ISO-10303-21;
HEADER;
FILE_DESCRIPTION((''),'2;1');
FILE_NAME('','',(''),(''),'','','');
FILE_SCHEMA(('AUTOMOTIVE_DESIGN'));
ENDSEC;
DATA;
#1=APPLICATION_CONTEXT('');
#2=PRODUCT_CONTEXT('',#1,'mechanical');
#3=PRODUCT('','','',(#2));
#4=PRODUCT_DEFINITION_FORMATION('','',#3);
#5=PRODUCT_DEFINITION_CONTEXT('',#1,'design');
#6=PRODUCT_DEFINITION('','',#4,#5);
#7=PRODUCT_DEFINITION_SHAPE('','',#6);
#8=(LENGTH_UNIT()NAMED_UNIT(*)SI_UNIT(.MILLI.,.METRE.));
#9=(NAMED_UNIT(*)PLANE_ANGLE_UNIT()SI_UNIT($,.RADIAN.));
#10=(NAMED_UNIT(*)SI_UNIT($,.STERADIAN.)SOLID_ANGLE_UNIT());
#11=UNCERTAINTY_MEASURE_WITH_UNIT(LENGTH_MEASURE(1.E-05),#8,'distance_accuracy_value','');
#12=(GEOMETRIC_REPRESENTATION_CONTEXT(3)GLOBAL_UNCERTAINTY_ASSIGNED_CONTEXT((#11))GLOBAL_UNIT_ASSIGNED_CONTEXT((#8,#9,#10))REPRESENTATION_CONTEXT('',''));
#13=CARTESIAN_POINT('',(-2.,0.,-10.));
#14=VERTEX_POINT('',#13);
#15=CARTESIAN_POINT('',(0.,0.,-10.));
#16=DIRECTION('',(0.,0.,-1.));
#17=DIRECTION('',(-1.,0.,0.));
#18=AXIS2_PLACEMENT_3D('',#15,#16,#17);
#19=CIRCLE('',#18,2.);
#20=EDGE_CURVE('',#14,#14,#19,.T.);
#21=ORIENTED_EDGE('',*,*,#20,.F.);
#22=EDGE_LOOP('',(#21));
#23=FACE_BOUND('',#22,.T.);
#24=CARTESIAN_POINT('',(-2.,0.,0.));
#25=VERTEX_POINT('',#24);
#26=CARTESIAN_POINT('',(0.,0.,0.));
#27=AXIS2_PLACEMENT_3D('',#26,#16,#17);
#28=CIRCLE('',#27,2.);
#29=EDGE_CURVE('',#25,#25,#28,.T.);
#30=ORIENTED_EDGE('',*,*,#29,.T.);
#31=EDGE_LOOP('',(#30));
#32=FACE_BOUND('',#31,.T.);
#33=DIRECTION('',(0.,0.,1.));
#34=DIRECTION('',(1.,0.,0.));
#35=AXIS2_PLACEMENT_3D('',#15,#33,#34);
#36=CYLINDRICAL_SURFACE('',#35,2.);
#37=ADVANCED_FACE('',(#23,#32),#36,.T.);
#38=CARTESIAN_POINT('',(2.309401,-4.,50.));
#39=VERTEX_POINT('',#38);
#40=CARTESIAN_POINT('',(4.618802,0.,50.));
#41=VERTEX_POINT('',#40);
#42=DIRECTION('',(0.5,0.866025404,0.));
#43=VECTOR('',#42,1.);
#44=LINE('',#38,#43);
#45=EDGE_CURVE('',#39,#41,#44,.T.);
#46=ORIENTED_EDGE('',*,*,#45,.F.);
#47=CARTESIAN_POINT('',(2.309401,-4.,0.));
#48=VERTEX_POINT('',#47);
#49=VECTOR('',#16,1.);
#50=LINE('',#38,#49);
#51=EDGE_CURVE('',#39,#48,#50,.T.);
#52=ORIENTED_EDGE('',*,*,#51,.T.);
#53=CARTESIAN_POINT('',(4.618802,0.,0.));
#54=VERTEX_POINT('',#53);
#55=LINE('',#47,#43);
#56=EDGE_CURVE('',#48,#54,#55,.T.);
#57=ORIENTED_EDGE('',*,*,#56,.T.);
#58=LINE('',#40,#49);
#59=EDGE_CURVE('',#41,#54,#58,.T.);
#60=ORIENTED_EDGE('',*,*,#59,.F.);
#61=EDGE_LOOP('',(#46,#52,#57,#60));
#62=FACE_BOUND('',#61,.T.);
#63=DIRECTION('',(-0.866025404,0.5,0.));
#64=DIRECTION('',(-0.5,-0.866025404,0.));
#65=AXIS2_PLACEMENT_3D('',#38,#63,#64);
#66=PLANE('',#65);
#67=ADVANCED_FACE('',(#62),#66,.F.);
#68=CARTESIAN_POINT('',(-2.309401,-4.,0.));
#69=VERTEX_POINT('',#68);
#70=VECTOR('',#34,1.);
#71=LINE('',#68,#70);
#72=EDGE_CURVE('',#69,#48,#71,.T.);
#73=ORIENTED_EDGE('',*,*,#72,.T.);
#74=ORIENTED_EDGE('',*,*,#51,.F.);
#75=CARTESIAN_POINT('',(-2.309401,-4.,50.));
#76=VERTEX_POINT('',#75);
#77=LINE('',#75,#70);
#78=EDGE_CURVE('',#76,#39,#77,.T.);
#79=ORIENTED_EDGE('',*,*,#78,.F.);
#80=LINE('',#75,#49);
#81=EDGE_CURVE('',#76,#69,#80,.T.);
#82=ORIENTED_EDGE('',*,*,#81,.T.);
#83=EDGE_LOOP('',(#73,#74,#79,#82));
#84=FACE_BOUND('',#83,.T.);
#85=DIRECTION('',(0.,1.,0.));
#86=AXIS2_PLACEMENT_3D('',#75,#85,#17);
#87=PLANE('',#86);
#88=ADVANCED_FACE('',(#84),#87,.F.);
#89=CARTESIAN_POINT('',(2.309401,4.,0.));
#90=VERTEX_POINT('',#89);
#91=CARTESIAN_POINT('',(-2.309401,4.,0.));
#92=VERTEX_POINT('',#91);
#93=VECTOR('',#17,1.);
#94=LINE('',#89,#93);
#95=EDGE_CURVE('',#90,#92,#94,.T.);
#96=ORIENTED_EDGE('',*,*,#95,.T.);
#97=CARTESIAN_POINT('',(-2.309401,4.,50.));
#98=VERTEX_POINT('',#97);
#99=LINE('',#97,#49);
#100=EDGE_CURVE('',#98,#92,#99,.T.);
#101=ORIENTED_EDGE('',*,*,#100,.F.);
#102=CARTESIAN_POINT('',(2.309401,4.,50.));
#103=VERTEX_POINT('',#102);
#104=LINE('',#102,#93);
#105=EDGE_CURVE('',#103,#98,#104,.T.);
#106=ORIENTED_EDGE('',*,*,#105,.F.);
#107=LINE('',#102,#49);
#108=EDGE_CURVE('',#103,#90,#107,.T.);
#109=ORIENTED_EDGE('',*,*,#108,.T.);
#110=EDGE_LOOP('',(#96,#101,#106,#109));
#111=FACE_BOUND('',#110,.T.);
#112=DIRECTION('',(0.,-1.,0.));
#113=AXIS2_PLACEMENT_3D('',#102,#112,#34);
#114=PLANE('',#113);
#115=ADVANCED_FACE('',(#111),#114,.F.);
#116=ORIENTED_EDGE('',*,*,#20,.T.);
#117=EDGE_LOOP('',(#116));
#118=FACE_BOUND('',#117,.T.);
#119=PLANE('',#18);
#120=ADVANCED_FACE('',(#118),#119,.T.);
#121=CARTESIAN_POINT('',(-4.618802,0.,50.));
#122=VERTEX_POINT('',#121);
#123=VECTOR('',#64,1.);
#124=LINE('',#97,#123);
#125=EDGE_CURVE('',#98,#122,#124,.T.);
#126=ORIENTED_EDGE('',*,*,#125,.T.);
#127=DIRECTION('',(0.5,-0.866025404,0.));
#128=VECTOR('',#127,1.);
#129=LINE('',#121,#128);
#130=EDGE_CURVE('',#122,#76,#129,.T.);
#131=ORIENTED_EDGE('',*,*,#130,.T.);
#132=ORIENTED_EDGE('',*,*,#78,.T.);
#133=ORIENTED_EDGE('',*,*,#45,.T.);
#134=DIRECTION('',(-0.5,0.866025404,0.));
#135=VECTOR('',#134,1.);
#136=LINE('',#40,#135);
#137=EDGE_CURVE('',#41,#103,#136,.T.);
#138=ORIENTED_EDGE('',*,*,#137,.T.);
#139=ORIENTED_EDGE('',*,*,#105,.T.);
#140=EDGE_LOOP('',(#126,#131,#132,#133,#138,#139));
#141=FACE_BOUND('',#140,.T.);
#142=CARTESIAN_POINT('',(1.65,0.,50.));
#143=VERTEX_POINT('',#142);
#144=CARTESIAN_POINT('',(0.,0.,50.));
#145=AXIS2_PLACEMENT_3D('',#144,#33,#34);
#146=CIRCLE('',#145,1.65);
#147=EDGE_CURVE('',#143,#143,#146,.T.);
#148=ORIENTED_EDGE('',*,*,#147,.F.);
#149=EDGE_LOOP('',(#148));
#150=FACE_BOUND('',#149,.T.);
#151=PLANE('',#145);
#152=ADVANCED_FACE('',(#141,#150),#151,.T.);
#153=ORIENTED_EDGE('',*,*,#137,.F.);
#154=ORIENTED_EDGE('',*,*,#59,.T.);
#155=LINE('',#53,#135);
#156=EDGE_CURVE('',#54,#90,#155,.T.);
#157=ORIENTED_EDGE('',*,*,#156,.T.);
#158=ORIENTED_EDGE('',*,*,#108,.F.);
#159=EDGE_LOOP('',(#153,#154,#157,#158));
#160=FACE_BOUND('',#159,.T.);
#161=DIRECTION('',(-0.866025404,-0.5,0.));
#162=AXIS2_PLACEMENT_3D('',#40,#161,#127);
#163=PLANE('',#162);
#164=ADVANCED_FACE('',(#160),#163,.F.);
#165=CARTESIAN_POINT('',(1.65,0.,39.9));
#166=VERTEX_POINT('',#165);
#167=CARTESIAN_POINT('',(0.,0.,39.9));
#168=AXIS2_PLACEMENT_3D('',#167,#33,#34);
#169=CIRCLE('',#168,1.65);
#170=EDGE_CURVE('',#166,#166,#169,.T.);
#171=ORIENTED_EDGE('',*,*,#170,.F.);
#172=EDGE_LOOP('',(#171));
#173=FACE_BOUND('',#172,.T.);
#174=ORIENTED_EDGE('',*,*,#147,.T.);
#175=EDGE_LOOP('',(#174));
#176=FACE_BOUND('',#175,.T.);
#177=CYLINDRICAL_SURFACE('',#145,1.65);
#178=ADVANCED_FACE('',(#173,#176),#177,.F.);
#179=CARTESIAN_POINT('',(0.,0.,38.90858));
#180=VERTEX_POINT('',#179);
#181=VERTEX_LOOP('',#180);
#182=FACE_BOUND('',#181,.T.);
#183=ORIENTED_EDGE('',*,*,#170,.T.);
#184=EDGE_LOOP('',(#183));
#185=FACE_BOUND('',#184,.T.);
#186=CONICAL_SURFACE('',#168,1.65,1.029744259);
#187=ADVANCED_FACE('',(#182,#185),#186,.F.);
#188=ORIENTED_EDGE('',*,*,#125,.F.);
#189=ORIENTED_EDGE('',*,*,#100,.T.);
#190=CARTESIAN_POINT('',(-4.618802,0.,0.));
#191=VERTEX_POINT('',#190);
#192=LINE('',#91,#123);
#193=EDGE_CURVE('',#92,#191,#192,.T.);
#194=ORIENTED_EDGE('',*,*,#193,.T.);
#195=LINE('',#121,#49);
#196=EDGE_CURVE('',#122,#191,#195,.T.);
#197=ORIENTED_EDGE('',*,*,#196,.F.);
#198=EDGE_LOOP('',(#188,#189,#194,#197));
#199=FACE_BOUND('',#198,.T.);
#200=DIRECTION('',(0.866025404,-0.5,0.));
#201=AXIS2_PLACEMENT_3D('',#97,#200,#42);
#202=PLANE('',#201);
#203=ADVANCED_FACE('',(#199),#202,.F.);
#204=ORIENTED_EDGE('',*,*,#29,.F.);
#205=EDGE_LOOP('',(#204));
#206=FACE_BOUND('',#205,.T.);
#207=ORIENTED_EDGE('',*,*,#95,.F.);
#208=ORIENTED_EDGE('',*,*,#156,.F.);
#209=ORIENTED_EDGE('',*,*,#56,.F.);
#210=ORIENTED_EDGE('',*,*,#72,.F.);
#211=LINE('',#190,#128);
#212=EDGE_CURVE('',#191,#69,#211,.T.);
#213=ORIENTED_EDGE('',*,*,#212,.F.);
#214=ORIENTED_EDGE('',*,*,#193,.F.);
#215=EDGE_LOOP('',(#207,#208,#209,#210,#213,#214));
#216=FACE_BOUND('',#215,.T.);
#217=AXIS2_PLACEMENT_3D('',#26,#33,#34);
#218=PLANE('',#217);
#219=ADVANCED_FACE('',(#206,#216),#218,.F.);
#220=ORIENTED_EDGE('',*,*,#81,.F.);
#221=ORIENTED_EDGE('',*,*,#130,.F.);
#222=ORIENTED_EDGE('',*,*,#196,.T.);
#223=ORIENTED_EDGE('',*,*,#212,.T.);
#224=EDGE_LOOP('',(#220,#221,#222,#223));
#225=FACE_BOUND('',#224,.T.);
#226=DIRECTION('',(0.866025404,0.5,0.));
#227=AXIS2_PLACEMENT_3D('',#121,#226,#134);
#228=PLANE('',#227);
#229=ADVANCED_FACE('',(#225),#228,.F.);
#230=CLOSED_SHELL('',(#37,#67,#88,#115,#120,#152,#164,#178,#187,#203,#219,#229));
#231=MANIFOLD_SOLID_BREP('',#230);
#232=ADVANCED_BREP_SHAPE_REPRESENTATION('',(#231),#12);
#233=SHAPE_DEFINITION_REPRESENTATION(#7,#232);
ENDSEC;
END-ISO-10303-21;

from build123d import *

# Parameters (mm, degrees)
EXTRUDE_1_DEPTH = 50
SKETCH_4_R      = 2
EXTRUDE_2_DEPTH = 10
M4X0_7_1_D      = 3.3
M4X0_7_1_DEPTH  = 10.1
M4X0_7_1_TIP    = 0.991420021


with BuildPart() as part:
    # 草圖1 → 填料-伸長1 (new body)
    with BuildSketch(Plane.XY):
        Polygon((-2.309401077, 4), (-4.618802154, 0), (-2.309401077, -4), (2.309401077, -4), (4.618802154, 0), (2.309401077, 4), align=None)
    extrude(amount=EXTRUDE_1_DEPTH)

    # 草圖4 → 填料-伸長2 (add)
    with BuildSketch(Plane(origin=(0, 0, 0), x_dir=(-1, 0, 0), z_dir=(0, 0, -1))):
        Circle(SKETCH_4_R)
    extrude(amount=EXTRUDE_2_DEPTH)

    # M4x0.7 螺紋孔1
    with Locations(Plane.XY.offset(50)):
        with Locations((0, 0)):
            Hole(M4X0_7_1_D / 2, depth=M4X0_7_1_DEPTH)
            with Locations((0, 0, -(M4X0_7_1_DEPTH + M4X0_7_1_TIP / 2))):  # 118° drill point
                Cone(0, M4X0_7_1_D / 2, M4X0_7_1_TIP, mode=Mode.SUBTRACT)


solid = part.part
